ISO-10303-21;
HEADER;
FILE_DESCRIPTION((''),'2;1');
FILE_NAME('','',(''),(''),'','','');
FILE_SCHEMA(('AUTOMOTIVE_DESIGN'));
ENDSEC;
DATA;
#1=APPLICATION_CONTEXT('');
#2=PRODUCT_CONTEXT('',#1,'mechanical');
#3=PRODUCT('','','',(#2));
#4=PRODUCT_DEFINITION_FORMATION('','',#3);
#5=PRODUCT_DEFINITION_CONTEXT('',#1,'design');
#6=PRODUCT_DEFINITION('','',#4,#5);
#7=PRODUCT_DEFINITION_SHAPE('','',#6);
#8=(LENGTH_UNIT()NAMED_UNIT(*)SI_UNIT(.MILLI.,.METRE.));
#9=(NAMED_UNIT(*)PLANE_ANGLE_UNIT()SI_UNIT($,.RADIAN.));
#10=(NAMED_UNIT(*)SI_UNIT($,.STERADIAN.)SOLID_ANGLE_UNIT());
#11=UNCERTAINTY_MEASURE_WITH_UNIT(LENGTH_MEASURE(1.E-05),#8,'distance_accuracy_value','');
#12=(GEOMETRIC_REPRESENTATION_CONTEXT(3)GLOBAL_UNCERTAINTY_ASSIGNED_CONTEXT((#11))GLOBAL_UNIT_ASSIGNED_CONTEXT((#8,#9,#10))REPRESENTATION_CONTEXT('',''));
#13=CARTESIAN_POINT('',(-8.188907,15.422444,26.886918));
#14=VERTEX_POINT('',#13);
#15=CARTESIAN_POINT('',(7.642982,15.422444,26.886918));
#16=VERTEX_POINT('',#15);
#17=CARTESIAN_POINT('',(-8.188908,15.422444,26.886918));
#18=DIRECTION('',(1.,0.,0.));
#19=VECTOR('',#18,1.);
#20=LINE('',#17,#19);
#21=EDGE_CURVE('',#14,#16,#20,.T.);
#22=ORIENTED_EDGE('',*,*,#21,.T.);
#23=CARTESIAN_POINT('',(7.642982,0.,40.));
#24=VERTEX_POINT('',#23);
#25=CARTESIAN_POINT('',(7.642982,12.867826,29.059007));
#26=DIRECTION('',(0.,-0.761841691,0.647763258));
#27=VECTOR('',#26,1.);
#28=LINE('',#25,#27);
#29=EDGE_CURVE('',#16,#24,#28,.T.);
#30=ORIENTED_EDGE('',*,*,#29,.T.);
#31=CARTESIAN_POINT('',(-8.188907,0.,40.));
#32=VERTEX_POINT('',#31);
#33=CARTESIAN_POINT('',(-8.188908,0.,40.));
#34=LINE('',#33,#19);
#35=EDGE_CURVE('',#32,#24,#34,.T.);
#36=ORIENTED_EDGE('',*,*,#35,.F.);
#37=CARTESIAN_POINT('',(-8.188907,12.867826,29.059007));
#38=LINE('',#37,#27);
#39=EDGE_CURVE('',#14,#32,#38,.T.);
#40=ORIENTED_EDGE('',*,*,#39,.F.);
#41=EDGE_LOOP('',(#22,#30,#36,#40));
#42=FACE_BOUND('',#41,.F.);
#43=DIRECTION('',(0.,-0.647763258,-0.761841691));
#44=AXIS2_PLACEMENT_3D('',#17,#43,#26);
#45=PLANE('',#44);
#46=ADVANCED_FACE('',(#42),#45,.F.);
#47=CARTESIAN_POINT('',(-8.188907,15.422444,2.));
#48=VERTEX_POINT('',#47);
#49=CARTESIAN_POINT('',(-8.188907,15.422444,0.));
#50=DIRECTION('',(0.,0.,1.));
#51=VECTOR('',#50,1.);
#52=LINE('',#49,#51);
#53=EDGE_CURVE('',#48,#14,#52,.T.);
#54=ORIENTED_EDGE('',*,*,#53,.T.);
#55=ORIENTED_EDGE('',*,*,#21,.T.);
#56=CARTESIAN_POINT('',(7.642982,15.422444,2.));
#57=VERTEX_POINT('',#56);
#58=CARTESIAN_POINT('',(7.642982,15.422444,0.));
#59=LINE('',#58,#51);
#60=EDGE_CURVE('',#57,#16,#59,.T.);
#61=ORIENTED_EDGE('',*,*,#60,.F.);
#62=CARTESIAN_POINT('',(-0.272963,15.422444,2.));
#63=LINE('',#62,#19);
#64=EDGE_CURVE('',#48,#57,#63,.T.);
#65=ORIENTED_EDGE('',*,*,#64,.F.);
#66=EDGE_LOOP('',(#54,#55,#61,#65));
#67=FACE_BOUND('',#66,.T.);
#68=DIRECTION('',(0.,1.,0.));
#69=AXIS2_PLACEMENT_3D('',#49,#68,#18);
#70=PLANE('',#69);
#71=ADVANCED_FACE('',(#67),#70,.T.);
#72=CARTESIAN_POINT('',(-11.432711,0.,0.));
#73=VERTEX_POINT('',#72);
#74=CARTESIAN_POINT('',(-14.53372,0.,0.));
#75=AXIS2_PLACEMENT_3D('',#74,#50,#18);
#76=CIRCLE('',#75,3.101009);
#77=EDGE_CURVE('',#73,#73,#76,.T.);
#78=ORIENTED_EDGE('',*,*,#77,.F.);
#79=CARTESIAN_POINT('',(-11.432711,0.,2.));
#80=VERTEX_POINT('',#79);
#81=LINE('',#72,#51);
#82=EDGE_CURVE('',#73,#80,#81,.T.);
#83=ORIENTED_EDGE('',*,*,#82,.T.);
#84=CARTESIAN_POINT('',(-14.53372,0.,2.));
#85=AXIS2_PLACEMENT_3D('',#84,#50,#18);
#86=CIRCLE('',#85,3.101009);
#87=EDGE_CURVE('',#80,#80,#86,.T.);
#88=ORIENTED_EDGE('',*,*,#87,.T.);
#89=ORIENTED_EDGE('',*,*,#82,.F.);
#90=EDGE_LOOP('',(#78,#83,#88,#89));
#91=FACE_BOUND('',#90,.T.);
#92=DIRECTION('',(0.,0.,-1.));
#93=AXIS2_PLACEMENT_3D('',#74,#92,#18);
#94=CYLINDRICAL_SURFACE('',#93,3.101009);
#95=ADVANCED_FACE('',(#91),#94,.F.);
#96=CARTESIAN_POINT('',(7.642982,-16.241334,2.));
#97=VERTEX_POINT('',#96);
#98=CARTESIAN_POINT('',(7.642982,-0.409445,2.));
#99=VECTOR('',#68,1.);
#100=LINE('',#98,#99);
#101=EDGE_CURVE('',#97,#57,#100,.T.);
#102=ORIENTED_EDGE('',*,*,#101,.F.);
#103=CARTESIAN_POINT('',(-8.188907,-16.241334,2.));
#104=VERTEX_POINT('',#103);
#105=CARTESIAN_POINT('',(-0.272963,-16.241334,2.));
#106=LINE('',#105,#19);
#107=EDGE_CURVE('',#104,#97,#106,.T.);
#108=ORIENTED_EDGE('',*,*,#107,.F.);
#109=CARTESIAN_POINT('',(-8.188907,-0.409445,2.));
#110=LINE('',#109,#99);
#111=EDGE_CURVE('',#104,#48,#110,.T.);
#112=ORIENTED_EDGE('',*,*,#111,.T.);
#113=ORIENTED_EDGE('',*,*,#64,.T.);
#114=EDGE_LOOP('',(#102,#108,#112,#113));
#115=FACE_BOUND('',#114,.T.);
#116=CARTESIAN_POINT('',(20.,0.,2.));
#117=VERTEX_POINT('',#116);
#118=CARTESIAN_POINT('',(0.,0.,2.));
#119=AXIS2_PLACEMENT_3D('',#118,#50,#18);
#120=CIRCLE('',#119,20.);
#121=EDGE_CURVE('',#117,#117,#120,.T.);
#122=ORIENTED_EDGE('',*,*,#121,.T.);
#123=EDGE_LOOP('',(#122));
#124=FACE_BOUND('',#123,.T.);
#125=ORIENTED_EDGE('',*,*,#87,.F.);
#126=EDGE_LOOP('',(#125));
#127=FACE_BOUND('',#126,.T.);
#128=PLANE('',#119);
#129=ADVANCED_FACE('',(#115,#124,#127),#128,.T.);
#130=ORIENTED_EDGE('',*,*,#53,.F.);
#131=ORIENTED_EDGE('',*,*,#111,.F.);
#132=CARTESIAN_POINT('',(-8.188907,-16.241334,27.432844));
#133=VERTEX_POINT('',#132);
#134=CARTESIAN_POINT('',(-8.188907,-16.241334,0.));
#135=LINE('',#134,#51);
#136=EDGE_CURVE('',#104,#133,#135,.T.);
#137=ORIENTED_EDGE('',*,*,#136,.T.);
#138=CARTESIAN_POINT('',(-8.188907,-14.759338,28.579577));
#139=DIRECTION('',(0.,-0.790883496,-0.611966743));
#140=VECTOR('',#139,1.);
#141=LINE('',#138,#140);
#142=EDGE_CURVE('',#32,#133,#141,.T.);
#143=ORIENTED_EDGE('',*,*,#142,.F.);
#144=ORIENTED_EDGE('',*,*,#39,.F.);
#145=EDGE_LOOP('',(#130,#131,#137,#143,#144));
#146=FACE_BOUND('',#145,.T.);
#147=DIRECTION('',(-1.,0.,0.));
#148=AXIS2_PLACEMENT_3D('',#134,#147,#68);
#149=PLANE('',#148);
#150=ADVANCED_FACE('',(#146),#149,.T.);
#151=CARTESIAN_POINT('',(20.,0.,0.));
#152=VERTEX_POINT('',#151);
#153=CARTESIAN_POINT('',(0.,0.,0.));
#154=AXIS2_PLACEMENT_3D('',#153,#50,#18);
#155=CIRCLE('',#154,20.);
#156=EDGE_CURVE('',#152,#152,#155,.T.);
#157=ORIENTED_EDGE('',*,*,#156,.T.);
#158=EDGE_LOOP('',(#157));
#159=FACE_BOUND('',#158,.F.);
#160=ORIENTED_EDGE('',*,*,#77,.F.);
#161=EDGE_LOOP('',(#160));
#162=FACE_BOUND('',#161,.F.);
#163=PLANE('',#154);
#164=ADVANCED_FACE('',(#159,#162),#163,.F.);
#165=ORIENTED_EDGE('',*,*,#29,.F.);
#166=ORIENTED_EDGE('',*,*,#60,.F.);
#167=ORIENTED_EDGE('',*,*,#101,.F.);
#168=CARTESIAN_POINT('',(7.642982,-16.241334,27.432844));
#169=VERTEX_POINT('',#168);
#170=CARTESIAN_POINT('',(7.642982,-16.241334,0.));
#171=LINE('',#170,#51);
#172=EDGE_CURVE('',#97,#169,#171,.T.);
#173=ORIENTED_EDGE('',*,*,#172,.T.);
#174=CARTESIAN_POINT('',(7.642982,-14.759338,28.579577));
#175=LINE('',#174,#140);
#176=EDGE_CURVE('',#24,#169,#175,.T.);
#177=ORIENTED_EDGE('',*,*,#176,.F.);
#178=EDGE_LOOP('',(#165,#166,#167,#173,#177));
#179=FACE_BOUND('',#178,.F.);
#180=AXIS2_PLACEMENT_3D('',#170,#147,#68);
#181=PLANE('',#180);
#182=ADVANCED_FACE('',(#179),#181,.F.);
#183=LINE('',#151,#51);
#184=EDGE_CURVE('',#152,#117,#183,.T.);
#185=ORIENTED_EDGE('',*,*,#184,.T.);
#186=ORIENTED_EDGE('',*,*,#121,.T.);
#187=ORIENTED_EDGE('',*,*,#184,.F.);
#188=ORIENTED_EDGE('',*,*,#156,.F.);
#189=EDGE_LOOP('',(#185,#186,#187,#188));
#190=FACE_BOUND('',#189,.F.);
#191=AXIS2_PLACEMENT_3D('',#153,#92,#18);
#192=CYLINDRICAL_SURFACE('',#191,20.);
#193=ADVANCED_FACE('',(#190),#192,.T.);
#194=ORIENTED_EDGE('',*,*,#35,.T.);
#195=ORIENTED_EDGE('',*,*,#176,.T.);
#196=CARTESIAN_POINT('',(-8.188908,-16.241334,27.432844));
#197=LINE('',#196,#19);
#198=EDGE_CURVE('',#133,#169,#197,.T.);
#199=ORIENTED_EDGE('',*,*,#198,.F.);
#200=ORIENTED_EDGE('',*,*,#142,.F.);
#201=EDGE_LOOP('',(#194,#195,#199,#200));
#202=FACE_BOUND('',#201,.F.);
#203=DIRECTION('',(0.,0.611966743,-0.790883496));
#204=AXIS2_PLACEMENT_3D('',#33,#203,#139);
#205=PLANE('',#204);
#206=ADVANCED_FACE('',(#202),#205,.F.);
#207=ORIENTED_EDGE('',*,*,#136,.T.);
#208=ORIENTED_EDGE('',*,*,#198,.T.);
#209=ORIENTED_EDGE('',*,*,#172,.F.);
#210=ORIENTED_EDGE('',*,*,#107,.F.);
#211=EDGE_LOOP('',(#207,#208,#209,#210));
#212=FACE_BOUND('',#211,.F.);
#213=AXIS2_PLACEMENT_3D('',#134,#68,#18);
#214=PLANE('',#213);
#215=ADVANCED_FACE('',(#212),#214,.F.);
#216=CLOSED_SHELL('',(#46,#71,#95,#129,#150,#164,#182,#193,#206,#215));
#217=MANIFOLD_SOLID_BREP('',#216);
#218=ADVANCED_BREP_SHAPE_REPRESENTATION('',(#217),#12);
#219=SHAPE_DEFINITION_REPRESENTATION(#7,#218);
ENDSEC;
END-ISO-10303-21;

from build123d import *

# Parameters (mm, degrees)
F0_R     = 20
F0_W     = 15.831889
F0_H     = 31.663778
F0_R_2   = 3.101009
F1_DEPTH = 2
F2_DEPTH = 40
F4_DEPTH = 25


with BuildPart() as f1:
    # F0 (on Top) → F1 (new body)
    with BuildSketch(Plane.XY):
        Circle(F0_R)
        with Locations((-0.272963, -0.409445)):
            Rectangle(F0_W, F0_H, mode=Mode.SUBTRACT)
        with Locations((-14.53372, 0)):
            Circle(F0_R_2, mode=Mode.SUBTRACT)
    extrude(amount=F1_DEPTH)

    # F0 (on Top) → F2 (join)
    with BuildSketch(Plane.XY):
        with Locations((-0.272963, -0.409445)):
            Rectangle(F0_W, F0_H)
    extrude(amount=F2_DEPTH)

    # F3 (on face) → F4 (cut)
    with BuildSketch(Plane(origin=(-8.188908, 0, 0), x_dir=(0, -1, 0), z_dir=(-1, 0, 0))):
        Polygon((0, 40), (16.241334, 27.432844), (16.241334, 40), align=None)
        Polygon((-15.422444, 26.886918), (0, 40), (-15.422444, 40), align=None)
    extrude(amount=-F4_DEPTH, mode=Mode.SUBTRACT)


solid = f1.part
